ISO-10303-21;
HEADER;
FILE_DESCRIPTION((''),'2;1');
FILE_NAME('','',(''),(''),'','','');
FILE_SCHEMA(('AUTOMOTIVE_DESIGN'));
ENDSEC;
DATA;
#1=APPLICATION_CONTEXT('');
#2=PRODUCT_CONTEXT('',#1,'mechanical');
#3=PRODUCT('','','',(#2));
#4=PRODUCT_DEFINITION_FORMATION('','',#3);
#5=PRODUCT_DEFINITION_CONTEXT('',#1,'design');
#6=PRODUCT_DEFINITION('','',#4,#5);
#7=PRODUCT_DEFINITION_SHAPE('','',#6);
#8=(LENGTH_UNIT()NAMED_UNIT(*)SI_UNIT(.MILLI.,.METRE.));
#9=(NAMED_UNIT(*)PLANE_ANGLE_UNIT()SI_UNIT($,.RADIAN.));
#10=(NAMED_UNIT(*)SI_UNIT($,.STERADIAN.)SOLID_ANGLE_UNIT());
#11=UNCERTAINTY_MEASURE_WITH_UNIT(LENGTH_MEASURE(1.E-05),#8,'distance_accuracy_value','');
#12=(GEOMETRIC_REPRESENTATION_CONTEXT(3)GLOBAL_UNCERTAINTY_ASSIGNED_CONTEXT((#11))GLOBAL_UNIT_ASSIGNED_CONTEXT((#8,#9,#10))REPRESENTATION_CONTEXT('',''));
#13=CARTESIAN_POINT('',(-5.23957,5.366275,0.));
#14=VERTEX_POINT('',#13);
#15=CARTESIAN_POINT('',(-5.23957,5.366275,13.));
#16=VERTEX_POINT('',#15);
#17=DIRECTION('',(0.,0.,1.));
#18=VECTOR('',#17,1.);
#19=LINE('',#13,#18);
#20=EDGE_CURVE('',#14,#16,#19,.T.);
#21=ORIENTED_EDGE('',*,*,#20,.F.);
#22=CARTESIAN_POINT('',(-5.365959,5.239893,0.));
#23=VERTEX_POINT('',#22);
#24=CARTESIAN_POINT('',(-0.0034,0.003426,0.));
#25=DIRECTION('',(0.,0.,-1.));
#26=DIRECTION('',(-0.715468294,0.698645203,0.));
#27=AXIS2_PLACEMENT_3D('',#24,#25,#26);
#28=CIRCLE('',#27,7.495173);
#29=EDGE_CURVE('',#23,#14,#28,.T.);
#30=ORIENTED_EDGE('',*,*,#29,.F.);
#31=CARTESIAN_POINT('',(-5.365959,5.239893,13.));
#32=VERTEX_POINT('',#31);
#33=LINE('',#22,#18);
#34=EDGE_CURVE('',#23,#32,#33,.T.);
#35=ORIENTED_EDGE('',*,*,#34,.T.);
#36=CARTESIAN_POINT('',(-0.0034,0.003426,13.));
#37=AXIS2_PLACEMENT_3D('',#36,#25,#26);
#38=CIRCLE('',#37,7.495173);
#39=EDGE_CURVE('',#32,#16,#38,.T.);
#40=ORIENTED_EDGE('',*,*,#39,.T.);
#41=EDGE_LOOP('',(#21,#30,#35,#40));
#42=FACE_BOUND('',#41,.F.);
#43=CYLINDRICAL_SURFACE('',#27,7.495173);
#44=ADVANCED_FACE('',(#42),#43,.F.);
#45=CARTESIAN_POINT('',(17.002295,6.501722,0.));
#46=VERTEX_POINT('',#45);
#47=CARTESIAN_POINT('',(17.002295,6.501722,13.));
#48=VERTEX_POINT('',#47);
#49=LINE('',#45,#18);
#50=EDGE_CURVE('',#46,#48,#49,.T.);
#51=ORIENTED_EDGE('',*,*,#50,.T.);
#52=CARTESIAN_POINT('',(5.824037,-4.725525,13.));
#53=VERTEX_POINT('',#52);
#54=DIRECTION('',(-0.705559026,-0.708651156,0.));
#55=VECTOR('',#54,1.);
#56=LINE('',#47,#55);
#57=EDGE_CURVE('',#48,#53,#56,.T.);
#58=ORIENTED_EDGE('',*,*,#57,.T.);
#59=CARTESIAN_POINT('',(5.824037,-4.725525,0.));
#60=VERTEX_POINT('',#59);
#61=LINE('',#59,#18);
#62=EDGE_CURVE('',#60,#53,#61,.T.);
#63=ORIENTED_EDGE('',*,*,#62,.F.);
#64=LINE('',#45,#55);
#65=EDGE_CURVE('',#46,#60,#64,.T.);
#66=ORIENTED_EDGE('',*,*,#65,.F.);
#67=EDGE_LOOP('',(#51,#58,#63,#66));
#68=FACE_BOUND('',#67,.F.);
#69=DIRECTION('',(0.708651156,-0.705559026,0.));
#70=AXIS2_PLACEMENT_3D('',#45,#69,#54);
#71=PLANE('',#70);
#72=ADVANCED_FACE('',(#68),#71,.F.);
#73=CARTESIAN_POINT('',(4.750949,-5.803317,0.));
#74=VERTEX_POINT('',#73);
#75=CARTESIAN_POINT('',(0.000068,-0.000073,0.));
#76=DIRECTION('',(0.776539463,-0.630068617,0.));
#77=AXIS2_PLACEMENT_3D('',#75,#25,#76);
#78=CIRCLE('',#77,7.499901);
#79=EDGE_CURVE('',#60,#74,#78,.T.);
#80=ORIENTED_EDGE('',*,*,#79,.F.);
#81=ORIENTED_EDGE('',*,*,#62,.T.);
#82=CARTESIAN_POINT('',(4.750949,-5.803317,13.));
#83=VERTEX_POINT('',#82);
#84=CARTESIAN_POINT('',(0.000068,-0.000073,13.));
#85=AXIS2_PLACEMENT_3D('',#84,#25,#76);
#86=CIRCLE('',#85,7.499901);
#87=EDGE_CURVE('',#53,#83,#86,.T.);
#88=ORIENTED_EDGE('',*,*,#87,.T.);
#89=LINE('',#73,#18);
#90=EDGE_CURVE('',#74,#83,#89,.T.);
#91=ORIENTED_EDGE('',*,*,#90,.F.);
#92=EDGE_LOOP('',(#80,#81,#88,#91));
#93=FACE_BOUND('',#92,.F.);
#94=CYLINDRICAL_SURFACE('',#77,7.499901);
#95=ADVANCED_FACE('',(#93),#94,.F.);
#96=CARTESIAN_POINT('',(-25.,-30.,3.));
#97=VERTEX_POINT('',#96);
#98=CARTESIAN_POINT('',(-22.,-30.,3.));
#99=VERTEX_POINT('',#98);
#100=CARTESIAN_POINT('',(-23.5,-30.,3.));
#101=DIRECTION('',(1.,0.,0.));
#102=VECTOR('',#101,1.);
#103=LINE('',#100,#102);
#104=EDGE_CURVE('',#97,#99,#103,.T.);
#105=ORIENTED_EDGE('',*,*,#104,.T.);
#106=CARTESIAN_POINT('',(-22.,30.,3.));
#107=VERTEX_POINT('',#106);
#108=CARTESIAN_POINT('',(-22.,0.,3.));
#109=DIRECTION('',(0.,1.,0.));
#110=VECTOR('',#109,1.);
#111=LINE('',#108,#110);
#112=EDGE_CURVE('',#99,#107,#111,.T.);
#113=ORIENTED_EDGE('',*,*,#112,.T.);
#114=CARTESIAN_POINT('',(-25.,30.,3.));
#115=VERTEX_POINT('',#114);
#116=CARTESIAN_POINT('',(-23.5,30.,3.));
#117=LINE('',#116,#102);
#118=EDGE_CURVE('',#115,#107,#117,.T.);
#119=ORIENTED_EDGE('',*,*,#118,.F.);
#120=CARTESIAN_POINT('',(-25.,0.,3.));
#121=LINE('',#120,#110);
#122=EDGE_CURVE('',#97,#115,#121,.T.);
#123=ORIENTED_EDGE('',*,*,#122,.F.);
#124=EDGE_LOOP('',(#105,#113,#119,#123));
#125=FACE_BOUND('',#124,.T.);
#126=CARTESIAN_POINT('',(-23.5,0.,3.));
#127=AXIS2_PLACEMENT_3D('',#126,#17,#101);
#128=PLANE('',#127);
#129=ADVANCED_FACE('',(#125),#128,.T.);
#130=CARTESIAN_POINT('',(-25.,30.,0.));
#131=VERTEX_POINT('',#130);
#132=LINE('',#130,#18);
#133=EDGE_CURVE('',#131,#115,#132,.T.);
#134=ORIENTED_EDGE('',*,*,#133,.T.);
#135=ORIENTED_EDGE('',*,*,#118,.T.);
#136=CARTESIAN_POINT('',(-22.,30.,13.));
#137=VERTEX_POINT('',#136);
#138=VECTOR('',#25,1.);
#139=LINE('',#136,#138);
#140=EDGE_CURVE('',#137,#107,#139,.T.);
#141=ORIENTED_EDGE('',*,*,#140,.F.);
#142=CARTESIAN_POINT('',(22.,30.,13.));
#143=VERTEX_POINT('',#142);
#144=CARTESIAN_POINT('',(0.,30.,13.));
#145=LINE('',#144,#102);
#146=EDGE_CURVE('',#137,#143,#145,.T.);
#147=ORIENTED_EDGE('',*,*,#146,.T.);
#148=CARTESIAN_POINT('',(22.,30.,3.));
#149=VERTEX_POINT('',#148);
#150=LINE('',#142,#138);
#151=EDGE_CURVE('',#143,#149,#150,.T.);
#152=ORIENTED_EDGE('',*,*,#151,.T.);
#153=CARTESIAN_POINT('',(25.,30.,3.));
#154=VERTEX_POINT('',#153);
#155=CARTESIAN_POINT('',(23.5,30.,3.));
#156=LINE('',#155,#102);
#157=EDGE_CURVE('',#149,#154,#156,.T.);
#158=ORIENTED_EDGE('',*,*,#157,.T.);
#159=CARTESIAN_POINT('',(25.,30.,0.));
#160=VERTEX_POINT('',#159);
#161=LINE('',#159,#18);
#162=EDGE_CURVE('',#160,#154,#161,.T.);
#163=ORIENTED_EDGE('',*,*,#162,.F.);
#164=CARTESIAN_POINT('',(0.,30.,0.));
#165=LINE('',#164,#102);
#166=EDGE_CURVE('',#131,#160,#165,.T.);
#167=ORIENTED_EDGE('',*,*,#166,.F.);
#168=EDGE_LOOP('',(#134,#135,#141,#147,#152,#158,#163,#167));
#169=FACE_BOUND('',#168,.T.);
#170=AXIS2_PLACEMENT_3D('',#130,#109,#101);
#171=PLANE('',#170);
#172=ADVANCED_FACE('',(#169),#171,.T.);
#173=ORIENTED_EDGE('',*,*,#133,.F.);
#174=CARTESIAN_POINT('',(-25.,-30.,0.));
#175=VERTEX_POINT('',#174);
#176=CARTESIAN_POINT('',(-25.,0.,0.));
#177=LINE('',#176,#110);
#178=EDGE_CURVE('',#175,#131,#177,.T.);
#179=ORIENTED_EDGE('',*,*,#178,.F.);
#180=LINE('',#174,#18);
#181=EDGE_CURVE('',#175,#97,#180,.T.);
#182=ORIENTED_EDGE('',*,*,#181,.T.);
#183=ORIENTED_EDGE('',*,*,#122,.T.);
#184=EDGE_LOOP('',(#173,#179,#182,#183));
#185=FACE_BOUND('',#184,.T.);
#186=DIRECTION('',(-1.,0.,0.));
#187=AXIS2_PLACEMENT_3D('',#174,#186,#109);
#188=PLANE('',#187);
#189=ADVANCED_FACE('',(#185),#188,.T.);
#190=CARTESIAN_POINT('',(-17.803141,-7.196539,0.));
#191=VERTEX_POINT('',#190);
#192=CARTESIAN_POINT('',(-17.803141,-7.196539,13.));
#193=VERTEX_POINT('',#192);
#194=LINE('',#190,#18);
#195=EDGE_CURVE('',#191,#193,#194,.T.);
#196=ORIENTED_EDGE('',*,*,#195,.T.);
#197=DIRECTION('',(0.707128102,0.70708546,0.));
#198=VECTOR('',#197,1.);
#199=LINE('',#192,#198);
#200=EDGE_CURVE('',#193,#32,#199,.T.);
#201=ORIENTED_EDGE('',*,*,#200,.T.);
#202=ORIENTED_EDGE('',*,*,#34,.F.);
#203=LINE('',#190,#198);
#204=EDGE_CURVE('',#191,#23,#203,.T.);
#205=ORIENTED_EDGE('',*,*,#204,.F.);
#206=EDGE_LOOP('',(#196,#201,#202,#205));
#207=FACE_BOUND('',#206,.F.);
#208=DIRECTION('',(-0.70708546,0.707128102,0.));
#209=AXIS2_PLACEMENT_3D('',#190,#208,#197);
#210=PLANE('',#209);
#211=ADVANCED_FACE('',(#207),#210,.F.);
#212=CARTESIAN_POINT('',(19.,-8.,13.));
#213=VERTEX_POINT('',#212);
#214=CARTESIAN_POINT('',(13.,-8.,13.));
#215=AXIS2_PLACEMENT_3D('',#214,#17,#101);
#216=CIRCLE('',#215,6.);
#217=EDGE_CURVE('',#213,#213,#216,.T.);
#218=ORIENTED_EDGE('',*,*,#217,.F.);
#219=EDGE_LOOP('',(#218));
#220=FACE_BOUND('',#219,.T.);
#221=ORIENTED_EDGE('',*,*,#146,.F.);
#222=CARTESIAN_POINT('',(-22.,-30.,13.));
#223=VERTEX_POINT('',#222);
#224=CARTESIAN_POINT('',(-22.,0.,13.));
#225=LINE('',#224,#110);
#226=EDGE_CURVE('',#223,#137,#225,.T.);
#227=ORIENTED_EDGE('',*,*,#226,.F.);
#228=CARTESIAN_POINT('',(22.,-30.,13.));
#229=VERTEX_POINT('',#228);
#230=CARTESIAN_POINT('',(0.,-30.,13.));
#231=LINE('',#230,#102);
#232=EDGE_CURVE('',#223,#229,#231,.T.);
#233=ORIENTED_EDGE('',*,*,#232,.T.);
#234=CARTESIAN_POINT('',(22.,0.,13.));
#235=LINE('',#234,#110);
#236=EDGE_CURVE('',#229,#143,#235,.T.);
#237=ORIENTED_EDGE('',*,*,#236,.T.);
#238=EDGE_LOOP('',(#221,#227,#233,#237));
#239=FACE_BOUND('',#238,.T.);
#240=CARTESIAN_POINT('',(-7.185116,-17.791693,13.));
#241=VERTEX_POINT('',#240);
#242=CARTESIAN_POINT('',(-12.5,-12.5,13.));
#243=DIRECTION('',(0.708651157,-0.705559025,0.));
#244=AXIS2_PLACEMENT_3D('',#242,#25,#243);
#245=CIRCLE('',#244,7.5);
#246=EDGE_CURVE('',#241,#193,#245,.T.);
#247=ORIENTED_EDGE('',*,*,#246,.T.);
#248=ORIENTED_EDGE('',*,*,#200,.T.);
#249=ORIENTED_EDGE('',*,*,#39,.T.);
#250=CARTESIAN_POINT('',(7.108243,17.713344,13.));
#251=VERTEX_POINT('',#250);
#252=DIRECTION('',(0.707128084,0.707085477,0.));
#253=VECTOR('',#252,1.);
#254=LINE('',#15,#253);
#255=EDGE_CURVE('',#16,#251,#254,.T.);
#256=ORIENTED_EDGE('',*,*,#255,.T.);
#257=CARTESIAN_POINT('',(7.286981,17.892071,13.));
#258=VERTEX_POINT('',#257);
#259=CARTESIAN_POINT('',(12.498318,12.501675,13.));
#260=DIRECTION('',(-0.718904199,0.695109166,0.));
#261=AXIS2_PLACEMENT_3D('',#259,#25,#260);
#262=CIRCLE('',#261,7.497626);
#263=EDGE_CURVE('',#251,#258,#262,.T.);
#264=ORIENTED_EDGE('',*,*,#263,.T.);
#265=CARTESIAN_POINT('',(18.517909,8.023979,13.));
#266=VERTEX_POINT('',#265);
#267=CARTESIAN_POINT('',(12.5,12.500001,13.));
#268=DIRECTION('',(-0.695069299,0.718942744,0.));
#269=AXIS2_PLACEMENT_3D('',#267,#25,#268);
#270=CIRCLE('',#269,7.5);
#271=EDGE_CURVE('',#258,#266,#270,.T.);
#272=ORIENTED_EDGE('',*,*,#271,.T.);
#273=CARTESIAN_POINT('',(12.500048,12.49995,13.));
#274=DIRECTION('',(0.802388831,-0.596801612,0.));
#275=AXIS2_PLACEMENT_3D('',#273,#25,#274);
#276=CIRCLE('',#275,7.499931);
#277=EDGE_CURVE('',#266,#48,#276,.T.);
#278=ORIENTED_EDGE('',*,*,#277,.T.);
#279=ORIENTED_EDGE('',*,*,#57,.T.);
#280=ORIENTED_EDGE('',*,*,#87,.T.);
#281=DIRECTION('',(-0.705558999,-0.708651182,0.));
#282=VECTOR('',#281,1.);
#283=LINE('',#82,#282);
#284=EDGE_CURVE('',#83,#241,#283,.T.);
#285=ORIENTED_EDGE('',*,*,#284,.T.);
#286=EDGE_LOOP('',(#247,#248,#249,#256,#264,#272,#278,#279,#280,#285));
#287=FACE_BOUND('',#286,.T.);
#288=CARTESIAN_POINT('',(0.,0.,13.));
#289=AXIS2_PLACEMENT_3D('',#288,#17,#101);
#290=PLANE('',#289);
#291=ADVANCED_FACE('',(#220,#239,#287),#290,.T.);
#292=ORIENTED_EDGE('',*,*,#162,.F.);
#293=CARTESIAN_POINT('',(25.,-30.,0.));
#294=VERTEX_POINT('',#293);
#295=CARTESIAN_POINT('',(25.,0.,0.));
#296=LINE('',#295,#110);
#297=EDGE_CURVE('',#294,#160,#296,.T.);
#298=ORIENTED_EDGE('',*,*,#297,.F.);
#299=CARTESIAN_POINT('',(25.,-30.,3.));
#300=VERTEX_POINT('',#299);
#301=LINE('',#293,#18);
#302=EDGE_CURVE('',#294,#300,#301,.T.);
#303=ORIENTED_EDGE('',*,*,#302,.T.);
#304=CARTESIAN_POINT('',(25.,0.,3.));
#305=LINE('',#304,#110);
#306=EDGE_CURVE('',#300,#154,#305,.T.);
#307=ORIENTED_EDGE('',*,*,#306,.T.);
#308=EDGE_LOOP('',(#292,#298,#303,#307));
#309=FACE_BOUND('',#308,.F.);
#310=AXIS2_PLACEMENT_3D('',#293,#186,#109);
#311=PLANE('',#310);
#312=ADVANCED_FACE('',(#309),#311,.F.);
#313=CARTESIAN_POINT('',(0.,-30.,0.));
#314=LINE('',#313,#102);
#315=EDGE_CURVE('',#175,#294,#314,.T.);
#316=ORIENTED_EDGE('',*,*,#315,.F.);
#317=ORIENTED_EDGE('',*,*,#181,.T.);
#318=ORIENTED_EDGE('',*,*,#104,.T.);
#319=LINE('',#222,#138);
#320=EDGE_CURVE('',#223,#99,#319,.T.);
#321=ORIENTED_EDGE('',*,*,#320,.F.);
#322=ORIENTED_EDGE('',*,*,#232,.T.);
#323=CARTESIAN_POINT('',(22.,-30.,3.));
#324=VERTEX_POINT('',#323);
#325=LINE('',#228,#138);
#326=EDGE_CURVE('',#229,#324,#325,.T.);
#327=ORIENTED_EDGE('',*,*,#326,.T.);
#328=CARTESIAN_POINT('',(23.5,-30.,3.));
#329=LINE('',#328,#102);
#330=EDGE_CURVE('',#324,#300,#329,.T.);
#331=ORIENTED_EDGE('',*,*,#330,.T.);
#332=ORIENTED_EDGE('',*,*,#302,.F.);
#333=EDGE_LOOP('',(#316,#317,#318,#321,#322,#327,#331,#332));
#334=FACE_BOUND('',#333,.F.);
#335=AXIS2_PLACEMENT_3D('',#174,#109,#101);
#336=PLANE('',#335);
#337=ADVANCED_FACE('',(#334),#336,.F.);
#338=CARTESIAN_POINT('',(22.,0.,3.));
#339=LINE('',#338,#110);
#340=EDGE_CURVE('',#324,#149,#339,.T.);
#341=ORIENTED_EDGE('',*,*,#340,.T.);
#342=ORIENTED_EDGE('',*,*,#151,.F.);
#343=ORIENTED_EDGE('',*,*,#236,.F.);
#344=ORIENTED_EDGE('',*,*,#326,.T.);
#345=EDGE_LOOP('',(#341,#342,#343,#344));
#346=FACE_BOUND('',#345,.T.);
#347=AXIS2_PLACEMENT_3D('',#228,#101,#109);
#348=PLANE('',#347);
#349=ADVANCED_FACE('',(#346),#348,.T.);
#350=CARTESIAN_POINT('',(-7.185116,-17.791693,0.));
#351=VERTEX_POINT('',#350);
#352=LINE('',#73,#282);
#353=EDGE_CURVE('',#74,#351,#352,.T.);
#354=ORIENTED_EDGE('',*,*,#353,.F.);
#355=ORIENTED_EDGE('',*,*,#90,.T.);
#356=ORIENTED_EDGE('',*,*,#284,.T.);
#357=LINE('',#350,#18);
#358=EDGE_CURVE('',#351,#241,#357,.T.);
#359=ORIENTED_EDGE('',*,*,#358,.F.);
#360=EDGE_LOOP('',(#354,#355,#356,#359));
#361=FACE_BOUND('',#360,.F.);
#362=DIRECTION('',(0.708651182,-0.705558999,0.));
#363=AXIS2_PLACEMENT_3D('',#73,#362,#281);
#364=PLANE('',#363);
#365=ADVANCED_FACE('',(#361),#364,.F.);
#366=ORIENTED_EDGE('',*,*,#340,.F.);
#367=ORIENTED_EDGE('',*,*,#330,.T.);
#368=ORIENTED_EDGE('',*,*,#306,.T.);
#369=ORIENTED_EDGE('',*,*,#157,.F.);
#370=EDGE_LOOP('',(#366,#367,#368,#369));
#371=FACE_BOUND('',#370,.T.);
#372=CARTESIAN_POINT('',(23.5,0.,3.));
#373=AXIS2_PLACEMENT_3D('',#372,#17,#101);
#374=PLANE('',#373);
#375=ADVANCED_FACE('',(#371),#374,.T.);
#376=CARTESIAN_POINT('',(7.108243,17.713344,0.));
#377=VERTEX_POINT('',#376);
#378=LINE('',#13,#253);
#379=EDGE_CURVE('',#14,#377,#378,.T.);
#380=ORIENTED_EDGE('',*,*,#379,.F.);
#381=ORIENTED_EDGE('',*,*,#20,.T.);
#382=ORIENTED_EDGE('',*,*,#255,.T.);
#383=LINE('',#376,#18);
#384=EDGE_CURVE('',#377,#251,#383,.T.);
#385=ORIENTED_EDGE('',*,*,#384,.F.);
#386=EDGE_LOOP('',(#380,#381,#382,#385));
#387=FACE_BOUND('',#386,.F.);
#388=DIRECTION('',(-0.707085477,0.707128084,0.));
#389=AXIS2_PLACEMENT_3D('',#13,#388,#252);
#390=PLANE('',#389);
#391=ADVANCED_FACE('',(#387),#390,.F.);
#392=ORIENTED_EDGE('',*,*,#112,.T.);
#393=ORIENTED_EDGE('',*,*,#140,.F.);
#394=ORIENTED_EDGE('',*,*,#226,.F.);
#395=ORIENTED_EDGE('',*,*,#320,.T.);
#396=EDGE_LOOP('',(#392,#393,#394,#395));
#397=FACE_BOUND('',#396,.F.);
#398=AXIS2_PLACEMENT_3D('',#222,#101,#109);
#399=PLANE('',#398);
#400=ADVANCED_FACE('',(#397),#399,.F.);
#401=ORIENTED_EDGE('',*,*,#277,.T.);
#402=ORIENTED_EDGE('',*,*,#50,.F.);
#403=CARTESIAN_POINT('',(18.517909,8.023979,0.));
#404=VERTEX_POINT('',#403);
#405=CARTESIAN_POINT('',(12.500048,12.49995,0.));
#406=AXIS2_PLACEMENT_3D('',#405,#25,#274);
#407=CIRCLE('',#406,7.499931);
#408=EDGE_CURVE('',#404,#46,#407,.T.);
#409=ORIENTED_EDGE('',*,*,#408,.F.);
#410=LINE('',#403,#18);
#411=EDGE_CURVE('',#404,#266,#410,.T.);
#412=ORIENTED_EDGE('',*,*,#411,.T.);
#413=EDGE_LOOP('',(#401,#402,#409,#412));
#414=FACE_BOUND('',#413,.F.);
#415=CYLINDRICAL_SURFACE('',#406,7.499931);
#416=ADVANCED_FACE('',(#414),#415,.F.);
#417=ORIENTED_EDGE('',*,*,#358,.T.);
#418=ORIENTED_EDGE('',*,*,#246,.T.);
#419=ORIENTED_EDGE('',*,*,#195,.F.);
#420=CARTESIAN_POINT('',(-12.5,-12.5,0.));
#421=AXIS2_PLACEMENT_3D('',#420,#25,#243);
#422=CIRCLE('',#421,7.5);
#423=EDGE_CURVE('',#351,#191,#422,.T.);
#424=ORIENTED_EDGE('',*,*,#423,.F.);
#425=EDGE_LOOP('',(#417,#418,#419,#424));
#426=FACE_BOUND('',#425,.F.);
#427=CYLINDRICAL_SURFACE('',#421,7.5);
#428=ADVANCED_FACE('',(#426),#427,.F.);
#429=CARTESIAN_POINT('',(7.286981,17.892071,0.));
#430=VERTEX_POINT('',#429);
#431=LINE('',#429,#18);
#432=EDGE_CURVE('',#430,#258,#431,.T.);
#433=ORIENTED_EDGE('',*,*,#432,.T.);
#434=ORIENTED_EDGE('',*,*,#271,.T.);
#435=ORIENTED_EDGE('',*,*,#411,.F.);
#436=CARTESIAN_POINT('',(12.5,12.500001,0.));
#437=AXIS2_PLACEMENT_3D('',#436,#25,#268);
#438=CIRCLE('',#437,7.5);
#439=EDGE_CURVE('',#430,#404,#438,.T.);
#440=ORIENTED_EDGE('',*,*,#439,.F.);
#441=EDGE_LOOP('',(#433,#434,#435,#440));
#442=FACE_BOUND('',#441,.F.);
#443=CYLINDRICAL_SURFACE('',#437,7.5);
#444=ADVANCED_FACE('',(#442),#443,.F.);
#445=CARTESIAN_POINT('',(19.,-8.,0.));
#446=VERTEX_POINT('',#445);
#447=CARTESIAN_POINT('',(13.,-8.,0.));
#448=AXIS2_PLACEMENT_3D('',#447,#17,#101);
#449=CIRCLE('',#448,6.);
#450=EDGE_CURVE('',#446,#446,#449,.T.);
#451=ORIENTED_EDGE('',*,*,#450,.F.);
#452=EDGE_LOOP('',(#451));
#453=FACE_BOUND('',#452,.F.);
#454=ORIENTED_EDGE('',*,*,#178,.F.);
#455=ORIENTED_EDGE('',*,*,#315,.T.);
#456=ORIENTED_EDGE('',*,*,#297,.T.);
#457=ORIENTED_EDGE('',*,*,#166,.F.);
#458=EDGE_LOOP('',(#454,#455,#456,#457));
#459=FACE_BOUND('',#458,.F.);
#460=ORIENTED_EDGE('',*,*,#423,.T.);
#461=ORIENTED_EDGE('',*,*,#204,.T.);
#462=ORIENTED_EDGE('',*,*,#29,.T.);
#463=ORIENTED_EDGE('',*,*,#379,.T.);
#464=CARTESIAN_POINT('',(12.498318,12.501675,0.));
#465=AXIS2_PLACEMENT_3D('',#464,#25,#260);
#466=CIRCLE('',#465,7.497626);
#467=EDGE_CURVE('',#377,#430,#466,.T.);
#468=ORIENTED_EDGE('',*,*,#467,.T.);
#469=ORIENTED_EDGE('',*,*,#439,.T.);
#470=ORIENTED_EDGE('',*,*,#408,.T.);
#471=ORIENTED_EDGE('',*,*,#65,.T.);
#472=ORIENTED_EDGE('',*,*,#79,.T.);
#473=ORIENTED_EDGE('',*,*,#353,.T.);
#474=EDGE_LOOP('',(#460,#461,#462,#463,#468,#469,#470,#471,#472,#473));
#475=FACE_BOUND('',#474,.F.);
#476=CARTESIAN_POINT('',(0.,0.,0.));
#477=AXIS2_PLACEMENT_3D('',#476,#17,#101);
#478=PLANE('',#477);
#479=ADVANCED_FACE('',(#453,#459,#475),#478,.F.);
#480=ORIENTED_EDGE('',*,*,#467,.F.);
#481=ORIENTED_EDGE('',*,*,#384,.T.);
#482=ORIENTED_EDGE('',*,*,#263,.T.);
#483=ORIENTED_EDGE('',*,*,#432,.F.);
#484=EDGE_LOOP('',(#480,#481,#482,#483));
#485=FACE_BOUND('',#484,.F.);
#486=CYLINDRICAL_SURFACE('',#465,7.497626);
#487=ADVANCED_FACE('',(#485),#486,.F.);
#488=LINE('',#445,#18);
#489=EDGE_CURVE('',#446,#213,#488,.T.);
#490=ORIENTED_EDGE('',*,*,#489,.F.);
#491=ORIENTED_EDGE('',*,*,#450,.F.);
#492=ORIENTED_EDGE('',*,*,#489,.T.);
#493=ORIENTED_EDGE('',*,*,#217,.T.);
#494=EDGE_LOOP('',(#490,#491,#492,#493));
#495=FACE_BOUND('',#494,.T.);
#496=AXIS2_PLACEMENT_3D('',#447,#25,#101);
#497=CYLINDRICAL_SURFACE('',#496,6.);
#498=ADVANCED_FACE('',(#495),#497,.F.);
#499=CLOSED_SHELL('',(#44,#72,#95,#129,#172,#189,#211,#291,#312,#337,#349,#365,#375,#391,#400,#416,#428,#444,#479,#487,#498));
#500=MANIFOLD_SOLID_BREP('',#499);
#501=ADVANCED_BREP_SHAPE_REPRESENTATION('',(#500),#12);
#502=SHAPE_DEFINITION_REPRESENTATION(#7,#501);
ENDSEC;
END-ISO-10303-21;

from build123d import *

# Parameters (mm, degrees)
F0_W     = 50
F0_H     = 60
F0_R     = 6
F1_DEPTH = 13
F2_W     = 3
F2_H     = 60
F3_DEPTH = 10


with BuildPart() as f1:
    # F0 (on Top) → F1 (new body)
    with BuildSketch(Plane.XY):
        Rectangle(F0_W, F0_H)
        with Locations((13, -8)):
            Circle(F0_R, mode=Mode.SUBTRACT)
        with BuildLine():
            ThreePointArc((5.824037, -4.725525), (5.314884, -5.291693), (4.750949, -5.803317))
            Line((4.750949, -5.803317), (-7.185116, -17.791693))
            ThreePointArc((-7.185116, -17.791693), (-17.79758, -17.809016), (-17.803141, -7.196539))
            Line((-17.803141, -7.196539), (-5.365959, 5.239893))
            ThreePointArc((-5.365959, 5.239893), (-5.303141, 5.303461), (-5.23957, 5.366275))
            Line((-5.23957, 5.366275), (7.108243, 17.713344))
            ThreePointArc((7.108243, 17.713344), (7.196859, 17.803461), (7.286981, 17.892071))
            ThreePointArc((7.286981, 17.892071), (17.450432, 18.134113), (18.517909, 8.023979))
            ThreePointArc((18.517909, 8.023979), (17.814884, 7.208307), (17.002295, 6.501722))
            Line((17.002295, 6.501722), (5.824037, -4.725525))
        make_face(mode=Mode.SUBTRACT)
    extrude(amount=F1_DEPTH)

    # F2 (on face) → F3 (cut)
    with BuildSketch(Plane.XY.offset(13)):
        with Locations((-23.5, 0)):
            Rectangle(F2_W, F2_H)
        with Locations((23.5, 0)):
            Rectangle(F2_W, F2_H)
    extrude(amount=-F3_DEPTH, mode=Mode.SUBTRACT)


solid = f1.part
